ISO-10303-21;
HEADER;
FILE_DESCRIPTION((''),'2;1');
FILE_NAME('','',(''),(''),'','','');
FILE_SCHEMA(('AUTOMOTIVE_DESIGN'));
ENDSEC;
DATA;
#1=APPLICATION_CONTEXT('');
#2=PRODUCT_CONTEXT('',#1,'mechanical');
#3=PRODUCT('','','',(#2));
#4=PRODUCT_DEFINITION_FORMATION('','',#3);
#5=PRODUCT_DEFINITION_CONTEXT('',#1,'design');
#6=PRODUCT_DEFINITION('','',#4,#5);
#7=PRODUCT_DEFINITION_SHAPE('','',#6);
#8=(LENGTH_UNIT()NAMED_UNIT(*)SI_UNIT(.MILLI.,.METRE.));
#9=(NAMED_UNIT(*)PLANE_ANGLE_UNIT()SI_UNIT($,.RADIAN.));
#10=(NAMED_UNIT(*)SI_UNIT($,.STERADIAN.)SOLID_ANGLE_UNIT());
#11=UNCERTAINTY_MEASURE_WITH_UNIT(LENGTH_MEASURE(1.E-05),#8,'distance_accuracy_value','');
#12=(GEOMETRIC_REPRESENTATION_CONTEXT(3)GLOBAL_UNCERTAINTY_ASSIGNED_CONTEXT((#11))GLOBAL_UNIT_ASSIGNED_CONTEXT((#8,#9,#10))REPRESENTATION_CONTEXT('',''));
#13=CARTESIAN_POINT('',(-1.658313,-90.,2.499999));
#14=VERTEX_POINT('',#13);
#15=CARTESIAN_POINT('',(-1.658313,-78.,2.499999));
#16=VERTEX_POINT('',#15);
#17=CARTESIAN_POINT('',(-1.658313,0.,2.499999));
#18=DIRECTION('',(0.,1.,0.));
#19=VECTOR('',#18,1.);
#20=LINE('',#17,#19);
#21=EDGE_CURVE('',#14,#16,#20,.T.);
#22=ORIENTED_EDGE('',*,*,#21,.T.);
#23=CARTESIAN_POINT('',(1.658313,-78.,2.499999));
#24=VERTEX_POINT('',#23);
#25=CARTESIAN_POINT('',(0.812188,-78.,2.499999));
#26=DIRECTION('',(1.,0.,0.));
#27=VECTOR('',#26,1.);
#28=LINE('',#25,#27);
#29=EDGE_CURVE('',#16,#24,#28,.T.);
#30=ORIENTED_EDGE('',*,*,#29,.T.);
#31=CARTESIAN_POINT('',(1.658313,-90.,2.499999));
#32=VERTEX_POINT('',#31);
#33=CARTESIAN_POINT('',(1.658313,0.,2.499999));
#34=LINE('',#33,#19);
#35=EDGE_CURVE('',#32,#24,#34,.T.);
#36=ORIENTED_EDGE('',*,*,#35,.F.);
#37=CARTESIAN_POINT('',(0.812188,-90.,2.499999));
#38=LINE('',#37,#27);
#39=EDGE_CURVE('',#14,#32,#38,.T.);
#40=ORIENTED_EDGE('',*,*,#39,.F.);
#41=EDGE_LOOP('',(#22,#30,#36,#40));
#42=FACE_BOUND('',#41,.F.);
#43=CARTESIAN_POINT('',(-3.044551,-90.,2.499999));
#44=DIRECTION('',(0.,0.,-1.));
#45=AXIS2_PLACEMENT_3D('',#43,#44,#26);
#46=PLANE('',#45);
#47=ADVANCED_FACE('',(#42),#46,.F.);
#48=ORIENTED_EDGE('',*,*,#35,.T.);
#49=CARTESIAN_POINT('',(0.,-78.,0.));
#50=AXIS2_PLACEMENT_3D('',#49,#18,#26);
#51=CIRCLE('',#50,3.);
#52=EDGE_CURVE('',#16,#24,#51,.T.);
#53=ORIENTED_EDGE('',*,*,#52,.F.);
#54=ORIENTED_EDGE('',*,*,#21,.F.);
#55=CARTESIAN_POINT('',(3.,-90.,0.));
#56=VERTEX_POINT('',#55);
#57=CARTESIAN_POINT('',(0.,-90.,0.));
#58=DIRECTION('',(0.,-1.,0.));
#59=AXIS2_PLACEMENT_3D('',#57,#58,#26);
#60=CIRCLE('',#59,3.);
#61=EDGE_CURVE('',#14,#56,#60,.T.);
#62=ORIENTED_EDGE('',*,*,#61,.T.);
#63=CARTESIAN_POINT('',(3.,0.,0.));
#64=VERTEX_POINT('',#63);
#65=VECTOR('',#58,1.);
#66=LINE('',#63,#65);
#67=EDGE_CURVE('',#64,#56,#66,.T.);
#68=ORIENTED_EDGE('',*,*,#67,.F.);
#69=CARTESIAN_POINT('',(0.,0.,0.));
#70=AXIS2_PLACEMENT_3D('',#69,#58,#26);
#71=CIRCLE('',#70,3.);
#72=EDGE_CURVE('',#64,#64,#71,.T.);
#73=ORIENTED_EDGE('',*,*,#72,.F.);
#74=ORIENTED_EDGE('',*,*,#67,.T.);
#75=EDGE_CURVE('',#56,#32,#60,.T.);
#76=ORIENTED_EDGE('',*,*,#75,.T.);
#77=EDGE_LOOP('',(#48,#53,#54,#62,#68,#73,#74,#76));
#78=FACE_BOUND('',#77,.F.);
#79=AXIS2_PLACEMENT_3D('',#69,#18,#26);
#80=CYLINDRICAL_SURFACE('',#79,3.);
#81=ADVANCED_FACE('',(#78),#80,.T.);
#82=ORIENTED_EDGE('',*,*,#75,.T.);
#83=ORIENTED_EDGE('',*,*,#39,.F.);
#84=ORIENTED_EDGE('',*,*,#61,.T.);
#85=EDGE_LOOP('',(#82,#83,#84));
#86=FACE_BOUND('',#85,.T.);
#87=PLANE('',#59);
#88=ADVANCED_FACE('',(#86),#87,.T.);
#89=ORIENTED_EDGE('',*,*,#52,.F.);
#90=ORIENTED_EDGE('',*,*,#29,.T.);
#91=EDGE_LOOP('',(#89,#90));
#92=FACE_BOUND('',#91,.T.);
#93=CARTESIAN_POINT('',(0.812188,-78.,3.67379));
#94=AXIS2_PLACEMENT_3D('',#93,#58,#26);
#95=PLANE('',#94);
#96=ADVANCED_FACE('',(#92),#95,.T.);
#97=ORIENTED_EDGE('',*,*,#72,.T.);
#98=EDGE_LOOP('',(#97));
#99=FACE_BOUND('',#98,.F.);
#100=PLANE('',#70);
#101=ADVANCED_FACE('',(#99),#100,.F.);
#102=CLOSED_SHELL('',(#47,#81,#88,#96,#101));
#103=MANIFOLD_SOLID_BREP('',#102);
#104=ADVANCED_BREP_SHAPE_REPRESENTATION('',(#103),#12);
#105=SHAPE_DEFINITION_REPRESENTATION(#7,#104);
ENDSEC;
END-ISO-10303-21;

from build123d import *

# Parameters (mm, degrees)
F0_R     = 3
F1_DEPTH = 90
F2_W     = 7.713479
F2_H     = 2.347581
F3_DEPTH = 12


with BuildPart() as f1:
    # F0 (on Front) → F1 (new body)
    with BuildSketch(Plane.XZ):
        Circle(F0_R)
    extrude(amount=F1_DEPTH)

    # F2 (on face) → F3 (cut)
    with BuildSketch(Plane.XZ.offset(90)):
        with Locations((0.812188, 3.67379)):
            Rectangle(F2_W, F2_H)
    extrude(amount=-F3_DEPTH, mode=Mode.SUBTRACT)


solid = f1.part
